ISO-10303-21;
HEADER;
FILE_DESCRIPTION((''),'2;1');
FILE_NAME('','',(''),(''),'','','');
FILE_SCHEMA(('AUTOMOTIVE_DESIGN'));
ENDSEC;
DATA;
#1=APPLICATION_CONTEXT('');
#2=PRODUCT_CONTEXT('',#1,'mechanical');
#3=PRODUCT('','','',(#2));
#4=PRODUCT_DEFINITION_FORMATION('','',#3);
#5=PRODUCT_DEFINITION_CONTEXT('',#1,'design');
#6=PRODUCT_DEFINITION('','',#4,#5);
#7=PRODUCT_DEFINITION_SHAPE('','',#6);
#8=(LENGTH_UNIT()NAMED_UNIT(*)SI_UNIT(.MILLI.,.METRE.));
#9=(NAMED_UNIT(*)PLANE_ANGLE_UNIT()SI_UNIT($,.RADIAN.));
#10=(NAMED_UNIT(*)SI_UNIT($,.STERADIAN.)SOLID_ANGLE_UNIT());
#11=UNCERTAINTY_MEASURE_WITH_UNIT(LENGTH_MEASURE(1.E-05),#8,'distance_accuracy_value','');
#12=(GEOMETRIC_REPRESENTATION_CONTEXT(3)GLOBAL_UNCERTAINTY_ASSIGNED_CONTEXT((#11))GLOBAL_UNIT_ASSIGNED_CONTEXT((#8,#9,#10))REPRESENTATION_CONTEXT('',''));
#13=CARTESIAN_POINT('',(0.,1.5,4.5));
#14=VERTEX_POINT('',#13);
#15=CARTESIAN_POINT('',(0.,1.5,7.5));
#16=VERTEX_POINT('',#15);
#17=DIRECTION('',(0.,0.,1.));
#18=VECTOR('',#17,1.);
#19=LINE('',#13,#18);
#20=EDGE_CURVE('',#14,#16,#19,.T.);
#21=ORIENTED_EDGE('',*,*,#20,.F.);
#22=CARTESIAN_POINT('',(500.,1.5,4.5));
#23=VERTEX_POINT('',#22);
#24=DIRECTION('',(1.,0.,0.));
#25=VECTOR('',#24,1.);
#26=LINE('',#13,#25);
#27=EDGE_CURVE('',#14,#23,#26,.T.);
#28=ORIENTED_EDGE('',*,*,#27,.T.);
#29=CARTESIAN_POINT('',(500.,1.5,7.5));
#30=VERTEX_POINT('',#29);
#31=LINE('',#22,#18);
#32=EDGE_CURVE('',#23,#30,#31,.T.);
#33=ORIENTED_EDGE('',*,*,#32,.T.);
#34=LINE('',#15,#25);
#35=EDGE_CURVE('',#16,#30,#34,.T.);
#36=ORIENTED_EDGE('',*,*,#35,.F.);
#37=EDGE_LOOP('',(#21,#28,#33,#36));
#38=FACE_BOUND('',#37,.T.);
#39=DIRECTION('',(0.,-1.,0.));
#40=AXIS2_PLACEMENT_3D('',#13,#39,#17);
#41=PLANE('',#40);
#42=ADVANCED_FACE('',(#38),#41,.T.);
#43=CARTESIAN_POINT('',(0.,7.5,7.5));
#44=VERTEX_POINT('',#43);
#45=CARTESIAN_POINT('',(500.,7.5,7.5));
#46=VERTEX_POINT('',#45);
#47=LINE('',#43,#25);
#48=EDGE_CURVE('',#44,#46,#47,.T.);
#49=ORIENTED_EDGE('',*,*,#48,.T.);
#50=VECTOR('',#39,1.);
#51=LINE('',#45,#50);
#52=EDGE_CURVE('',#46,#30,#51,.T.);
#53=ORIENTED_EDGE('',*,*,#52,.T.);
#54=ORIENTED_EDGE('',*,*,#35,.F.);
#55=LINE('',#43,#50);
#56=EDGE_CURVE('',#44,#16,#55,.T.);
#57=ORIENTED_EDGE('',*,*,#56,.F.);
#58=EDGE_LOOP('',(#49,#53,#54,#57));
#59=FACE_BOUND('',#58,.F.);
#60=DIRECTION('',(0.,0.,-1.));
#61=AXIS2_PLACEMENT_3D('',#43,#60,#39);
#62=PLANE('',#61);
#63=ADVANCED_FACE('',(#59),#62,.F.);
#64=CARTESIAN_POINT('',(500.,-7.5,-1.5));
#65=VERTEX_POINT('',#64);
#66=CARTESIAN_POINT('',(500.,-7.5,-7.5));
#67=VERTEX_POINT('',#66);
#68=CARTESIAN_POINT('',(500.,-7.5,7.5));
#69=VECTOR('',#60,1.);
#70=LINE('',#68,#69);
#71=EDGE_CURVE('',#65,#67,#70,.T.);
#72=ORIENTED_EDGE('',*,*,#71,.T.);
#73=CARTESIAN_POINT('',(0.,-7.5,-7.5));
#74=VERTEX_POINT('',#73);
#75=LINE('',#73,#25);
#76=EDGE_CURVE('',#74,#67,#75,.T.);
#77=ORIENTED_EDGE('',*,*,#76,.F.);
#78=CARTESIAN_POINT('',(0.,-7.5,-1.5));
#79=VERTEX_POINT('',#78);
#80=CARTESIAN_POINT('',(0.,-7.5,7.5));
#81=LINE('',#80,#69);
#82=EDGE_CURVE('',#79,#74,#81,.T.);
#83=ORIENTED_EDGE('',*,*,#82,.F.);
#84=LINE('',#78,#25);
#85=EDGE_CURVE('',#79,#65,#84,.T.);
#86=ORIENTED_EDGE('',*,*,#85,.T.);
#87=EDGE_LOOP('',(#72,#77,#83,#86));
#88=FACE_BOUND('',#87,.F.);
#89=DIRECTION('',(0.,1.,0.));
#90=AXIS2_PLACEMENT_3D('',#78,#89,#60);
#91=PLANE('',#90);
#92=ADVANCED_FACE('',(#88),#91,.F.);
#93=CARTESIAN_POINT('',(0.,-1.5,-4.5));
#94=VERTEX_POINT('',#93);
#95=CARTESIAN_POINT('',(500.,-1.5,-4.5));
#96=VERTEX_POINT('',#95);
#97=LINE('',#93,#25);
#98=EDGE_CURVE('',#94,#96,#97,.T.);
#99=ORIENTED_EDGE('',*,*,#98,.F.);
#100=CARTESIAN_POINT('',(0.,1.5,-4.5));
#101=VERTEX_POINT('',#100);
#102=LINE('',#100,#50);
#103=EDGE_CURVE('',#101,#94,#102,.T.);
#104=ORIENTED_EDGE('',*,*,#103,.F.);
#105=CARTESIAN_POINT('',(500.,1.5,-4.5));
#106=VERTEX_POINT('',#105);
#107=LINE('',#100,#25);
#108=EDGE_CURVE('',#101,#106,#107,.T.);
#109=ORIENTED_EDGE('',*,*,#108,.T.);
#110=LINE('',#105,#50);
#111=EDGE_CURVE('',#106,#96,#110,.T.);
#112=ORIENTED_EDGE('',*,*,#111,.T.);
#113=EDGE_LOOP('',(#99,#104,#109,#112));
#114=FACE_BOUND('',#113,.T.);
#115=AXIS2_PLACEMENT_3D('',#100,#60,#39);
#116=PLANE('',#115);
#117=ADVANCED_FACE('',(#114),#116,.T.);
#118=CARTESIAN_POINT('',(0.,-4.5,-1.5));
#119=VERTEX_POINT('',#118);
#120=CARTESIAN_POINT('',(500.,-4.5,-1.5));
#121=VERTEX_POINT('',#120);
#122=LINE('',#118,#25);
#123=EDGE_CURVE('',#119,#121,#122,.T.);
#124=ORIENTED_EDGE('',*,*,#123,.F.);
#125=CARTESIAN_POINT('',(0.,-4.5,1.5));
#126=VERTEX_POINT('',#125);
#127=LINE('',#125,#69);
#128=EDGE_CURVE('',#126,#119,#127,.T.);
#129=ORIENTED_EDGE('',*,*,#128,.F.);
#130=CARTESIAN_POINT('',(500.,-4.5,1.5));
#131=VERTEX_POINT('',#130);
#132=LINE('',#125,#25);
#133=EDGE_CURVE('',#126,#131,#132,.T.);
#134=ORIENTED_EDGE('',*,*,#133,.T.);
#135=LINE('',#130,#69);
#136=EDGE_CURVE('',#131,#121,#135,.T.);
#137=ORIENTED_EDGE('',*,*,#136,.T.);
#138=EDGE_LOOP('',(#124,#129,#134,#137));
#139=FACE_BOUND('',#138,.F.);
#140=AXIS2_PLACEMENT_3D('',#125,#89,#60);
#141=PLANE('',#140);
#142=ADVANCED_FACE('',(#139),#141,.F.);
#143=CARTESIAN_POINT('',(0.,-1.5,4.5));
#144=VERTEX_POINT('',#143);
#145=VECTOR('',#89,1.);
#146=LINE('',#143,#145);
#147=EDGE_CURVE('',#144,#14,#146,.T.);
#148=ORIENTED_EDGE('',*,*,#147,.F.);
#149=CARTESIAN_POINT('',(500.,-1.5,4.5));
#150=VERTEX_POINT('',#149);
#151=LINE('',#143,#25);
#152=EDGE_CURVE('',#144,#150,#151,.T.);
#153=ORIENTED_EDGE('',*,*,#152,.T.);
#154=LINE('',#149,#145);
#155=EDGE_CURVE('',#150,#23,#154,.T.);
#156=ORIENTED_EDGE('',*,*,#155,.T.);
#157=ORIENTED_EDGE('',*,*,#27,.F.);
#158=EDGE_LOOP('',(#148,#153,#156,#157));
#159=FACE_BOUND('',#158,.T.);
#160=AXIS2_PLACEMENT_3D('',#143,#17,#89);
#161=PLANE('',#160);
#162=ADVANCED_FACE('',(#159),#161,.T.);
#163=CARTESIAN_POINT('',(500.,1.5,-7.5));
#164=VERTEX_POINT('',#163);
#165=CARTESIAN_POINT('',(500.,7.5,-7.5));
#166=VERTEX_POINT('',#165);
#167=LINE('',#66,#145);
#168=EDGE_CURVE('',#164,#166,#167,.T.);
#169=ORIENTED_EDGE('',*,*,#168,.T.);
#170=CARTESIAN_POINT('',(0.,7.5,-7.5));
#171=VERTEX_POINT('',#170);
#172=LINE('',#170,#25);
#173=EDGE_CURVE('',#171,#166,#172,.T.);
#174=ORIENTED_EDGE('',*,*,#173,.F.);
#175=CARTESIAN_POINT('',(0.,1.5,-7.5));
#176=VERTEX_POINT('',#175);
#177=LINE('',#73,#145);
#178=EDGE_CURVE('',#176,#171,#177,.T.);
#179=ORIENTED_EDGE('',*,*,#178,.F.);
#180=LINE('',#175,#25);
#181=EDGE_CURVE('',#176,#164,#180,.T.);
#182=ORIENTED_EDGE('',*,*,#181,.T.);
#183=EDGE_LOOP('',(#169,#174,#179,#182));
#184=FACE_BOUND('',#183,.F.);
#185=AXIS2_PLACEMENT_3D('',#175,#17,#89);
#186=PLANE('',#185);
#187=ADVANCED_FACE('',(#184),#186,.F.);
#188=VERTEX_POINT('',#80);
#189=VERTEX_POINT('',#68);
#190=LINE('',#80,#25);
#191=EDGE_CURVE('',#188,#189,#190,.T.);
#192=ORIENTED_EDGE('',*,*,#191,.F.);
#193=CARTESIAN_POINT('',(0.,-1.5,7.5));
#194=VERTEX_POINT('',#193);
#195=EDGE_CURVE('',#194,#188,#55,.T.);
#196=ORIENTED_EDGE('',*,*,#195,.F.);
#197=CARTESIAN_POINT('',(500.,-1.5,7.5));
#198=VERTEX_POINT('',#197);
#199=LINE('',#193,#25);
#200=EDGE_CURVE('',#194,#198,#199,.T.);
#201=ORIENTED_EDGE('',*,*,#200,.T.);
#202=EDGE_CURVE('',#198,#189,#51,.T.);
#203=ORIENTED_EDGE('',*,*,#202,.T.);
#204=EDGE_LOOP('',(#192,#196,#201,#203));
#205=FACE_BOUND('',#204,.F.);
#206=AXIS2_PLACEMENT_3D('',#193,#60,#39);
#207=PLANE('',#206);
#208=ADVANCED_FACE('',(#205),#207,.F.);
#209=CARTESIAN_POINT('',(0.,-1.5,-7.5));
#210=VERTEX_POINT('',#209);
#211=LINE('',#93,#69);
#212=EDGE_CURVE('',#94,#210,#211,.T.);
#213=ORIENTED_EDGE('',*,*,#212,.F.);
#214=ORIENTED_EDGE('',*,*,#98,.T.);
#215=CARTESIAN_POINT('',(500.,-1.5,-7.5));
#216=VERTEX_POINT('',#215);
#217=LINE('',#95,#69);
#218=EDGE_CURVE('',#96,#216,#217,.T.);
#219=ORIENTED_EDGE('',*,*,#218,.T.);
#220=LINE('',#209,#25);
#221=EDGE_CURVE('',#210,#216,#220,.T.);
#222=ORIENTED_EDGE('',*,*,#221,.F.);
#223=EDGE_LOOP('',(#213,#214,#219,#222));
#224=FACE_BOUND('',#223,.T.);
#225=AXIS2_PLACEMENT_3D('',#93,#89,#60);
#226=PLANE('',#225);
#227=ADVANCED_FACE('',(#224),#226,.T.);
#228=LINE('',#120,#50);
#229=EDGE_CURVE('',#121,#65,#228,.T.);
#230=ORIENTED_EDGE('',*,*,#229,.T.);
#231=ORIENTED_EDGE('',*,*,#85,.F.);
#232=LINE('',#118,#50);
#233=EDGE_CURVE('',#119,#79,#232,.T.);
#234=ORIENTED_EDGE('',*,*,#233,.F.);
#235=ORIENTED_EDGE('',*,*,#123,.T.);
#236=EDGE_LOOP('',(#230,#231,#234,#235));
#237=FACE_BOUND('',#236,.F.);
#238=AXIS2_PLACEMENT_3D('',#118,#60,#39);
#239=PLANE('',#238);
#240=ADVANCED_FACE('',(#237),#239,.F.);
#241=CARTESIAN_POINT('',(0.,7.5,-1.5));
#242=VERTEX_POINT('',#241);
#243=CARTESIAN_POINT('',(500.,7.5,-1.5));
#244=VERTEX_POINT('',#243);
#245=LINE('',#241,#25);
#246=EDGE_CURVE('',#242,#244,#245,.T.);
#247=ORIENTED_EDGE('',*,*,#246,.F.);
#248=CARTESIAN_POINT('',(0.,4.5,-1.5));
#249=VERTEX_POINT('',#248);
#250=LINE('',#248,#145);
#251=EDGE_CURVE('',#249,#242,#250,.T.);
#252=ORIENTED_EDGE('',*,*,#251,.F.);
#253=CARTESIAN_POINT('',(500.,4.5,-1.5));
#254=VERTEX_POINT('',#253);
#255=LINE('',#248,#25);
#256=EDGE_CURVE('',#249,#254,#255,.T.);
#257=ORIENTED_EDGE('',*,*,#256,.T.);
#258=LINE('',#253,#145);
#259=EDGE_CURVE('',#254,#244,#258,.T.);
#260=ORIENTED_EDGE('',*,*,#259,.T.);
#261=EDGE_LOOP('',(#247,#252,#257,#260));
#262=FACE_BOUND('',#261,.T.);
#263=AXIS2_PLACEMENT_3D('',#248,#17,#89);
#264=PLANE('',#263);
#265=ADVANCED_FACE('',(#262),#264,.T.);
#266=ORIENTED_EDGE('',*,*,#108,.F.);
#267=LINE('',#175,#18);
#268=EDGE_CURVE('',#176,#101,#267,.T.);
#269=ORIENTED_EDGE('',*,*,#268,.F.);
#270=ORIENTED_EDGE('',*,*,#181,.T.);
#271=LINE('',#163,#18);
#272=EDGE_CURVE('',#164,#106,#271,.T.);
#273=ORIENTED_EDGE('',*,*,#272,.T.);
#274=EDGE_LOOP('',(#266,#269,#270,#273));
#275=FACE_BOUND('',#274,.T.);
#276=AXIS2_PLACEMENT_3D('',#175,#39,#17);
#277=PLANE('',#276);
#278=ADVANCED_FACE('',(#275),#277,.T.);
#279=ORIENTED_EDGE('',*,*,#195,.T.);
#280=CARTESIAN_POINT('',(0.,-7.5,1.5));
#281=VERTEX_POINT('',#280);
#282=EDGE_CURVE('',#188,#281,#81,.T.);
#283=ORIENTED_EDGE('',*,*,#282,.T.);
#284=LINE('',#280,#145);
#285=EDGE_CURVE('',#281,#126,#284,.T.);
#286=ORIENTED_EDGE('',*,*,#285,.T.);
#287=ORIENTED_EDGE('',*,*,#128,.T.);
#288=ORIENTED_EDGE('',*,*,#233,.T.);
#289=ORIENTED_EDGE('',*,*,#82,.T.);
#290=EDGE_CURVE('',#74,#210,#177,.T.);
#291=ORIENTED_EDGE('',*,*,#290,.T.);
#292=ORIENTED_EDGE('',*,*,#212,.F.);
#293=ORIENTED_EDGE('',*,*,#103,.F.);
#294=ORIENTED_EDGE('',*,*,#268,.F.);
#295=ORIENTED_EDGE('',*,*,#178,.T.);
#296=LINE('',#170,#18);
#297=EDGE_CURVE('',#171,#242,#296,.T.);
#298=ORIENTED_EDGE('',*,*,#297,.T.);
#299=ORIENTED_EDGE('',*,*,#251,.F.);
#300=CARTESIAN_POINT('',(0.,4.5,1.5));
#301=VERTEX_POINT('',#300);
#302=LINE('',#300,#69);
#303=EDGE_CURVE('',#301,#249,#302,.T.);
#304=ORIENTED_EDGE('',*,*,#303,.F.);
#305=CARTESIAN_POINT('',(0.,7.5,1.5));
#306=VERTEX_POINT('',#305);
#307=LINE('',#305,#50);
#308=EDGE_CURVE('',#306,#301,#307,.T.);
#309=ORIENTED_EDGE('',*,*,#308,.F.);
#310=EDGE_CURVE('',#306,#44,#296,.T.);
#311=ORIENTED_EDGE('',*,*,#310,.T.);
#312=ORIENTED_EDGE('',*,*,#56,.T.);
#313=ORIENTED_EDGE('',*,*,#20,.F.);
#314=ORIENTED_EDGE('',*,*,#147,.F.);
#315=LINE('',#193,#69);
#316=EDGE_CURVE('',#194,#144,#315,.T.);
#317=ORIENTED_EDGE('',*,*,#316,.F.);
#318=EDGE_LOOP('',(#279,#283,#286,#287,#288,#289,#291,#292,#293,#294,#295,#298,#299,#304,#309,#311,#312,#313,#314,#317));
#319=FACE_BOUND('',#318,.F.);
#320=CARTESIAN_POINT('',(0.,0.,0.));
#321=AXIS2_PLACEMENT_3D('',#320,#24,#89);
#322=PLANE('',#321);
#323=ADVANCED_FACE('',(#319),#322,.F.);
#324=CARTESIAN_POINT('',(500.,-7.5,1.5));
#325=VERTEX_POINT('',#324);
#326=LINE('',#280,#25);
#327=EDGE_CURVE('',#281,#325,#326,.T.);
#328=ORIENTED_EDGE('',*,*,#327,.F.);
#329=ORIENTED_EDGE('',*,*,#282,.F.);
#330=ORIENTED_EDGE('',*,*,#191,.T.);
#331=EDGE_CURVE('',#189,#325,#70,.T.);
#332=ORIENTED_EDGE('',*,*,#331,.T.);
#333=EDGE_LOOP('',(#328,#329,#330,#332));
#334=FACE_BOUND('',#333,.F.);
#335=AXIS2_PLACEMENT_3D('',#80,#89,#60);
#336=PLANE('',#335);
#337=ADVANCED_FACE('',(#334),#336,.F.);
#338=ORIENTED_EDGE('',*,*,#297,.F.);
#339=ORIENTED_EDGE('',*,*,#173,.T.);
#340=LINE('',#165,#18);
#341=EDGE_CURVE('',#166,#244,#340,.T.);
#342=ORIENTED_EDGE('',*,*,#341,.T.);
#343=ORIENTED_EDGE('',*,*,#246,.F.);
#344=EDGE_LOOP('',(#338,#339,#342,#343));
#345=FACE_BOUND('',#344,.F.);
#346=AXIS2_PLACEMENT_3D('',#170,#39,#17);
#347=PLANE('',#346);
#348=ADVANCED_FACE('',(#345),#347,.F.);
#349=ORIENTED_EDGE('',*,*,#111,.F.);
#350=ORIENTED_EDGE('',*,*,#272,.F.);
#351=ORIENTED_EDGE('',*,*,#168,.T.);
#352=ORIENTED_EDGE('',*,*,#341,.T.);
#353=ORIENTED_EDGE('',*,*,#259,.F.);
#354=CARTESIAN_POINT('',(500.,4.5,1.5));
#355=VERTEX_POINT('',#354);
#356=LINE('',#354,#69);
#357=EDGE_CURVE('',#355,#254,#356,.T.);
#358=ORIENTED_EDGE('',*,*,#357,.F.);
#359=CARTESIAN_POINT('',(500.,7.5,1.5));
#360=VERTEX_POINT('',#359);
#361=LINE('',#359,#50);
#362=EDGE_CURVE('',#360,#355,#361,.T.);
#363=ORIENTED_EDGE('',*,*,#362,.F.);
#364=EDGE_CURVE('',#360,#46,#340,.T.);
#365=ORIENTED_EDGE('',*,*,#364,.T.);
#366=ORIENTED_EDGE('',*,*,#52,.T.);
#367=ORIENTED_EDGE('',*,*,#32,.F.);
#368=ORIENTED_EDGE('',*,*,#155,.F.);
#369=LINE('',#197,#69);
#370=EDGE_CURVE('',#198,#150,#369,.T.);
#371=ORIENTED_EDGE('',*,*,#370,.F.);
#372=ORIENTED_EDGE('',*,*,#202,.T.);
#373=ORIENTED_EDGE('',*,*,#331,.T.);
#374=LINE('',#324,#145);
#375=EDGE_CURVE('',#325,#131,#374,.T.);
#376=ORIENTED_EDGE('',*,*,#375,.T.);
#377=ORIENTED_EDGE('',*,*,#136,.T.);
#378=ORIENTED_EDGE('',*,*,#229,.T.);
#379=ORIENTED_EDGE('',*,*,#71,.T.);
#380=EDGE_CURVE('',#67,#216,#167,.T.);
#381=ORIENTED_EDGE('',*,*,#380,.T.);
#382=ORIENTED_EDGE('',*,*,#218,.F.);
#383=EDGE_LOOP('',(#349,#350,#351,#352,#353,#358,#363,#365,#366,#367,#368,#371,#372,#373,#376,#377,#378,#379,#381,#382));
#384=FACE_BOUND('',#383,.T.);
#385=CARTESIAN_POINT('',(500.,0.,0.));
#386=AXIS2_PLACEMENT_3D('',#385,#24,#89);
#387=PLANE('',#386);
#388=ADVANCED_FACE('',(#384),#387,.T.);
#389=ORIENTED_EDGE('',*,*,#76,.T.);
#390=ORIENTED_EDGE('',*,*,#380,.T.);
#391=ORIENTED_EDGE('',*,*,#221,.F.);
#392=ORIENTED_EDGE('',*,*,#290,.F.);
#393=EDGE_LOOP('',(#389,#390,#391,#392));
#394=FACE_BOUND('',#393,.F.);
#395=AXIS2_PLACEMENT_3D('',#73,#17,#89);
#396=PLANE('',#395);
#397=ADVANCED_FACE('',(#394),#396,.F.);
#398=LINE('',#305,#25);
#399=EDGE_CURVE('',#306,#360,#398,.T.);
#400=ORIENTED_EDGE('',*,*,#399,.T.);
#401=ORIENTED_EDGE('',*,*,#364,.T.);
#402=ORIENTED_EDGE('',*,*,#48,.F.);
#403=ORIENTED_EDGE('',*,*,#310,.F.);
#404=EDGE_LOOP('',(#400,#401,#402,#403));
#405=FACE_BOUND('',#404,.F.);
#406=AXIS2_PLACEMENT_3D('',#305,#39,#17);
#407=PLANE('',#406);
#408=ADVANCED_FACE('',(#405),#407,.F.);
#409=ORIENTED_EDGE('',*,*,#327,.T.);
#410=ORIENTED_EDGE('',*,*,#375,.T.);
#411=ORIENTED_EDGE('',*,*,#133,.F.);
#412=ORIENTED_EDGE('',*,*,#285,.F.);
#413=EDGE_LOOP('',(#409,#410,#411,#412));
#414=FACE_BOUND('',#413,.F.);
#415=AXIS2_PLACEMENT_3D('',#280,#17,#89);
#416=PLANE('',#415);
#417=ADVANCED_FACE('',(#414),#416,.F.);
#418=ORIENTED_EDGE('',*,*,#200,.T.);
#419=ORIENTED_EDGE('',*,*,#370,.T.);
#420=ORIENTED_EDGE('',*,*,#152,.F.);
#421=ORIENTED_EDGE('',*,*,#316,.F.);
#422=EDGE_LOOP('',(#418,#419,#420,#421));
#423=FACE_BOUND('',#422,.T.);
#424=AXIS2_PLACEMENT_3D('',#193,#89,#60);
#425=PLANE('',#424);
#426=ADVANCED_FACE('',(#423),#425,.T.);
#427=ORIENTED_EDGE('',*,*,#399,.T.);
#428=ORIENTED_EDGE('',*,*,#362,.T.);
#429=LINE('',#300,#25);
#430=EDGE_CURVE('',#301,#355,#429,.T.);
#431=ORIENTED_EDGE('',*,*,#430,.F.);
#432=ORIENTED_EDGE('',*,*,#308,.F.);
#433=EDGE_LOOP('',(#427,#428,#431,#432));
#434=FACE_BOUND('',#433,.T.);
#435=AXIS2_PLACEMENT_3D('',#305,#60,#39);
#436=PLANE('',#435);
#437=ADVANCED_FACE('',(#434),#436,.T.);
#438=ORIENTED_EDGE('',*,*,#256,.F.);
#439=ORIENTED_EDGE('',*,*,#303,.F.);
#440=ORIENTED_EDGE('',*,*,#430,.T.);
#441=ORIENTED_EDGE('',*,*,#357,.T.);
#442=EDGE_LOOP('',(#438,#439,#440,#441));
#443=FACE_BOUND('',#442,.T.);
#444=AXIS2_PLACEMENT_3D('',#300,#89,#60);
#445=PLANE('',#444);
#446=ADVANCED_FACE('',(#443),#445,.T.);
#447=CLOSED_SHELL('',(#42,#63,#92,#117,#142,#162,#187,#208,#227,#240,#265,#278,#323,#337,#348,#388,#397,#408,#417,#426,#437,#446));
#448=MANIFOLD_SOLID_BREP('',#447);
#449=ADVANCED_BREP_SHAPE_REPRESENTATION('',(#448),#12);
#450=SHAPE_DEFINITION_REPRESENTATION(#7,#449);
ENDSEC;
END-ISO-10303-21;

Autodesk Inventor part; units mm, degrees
ref_plane "YZ Plane" through (0, 0, 0) normal (1, 0, 0) x (0, 1, 0)
ref_plane "XZ Plane" through (0, 0, 0) normal (0, 1, 0) x (-1, 0, 0)
ref_plane "XY Plane" through (0, 0, 0) normal (0, 0, 1) x (1, 0, 0)
sketch "Sketch1" plane through (0, 0, 0) normal (1, 0, 0) x (0, 1, 0)
  line L0 (-7.5, -7.5) -> (7.5, -7.5)
  line L1 (7.5, -7.5) -> (7.5, 7.5)
  line L2 (7.5, 7.5) -> (-7.5, 7.5)
  line L3 (-7.5, 7.5) -> (-7.5, -7.5)
  line L4 (-7.5, -7.5) -> (7.5, 7.5) construction
  line L5 (7.5, -7.5) -> (-7.5, 7.5) construction
  line L6 (7.5, 1.5) -> (4.5, 1.5)
  line L7 (4.5, 1.5) -> (4.5, -1.5)
  line L8 (4.5, -1.5) -> (7.5, -1.5)
  line L9 (7.5, -1.5) -> (7.5, 1.5)
  line L10 (1.5, 7.5) -> (-1.5, 7.5)
  line L11 (-1.5, 7.5) -> (-1.5, 4.5)
  line L12 (-1.5, 4.5) -> (1.5, 4.5)
  line L13 (1.5, 4.5) -> (1.5, 7.5)
  line L14 (-7.5, 1.5) -> (-4.5, 1.5)
  line L15 (-4.5, 1.5) -> (-4.5, -1.5)
  line L16 (-4.5, -1.5) -> (-7.5, -1.5)
  line L17 (-7.5, -1.5) -> (-7.5, 1.5)
  line L18 (-1.5, -7.5) -> (1.5, -7.5)
  line L19 (1.5, -7.5) -> (1.5, -4.5)
  line L20 (1.5, -4.5) -> (-1.5, -4.5)
  line L21 (-1.5, -4.5) -> (-1.5, -7.5)
  point P0 (0, 0)
  dimension "d0" = 15
  dimension "d1" = 3
  dimension "d2" = 3
  dimension "d3" = 1.5
  dimension "d4" = 1.5
extrude "Extrusion1" add sketch "Sketch1" along normal blind 500 contours L3 L16 L15 L14 L2 L11 L12 L13 L1 L6 L7 L8 L0 L19 L20 L21
equation "\"d3\" = 0.5 * d2"
equation "\"d4\" = d3"
properties part number "Beam_360mm" material "Aluminum 6061"
